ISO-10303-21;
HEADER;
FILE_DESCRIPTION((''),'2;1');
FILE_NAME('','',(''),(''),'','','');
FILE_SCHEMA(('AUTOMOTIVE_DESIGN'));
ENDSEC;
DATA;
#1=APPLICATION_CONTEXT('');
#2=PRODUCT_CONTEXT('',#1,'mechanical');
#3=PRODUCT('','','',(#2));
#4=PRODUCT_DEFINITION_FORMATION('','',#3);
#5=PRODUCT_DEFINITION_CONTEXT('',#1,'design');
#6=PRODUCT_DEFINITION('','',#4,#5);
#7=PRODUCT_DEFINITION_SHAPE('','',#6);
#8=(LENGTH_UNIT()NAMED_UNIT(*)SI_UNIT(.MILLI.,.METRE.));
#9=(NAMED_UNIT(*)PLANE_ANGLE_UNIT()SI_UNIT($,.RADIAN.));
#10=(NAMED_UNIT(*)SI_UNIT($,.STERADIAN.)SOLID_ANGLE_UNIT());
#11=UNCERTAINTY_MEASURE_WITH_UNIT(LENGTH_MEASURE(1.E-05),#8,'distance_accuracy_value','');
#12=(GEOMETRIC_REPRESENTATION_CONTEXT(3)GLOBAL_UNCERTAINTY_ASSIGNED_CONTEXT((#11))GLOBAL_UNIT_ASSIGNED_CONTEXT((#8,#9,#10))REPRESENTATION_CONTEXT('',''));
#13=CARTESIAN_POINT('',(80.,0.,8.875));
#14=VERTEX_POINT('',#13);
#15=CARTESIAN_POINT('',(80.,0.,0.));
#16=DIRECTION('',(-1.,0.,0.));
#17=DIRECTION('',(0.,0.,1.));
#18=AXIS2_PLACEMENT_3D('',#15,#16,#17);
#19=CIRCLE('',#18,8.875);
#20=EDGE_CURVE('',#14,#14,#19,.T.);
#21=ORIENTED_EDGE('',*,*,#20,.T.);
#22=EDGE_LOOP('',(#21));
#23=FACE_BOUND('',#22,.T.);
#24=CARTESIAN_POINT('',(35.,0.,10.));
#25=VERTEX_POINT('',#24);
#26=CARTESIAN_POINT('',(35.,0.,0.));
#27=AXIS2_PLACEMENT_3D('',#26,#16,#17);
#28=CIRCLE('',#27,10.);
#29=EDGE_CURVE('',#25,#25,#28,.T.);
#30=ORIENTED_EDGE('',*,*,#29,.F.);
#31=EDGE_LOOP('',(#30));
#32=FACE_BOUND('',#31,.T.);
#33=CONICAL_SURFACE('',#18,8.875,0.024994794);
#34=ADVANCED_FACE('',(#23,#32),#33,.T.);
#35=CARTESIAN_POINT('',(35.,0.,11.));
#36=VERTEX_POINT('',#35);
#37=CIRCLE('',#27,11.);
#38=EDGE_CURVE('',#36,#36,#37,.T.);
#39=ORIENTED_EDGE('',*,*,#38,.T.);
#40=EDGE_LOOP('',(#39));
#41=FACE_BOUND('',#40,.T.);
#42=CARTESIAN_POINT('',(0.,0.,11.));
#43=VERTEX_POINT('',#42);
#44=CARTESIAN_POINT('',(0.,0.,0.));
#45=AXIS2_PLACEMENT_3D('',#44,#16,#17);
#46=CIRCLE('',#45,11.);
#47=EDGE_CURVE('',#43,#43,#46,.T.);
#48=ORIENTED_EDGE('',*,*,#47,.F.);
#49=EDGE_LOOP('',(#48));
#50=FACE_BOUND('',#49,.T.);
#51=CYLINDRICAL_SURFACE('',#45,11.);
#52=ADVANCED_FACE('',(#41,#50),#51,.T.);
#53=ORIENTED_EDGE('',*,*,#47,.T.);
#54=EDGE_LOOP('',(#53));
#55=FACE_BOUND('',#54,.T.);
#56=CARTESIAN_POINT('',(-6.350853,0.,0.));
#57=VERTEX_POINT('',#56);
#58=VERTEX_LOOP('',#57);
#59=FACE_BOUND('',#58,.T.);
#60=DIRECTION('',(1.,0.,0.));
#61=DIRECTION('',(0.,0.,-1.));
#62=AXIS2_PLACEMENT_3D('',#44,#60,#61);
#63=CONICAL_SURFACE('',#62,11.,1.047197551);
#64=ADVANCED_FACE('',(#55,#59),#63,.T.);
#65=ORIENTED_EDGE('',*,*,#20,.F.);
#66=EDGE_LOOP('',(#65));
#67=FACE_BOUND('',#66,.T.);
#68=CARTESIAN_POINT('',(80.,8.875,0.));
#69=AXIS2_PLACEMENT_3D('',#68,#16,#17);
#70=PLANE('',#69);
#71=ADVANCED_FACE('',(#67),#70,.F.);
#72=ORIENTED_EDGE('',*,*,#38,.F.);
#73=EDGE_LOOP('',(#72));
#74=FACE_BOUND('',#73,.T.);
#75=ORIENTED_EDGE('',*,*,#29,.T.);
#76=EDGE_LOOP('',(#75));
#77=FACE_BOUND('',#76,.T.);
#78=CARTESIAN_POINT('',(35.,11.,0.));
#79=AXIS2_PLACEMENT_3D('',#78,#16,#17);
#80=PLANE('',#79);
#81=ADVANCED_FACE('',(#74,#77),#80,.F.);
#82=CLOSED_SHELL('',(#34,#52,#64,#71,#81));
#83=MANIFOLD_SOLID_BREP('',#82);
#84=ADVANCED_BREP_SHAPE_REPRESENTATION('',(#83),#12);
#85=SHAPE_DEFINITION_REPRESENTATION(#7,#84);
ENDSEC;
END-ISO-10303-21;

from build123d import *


with BuildPart() as part:
    # Sketch1 → Revolve1 (revolve)
    with BuildSketch(Plane.XY, mode=Mode.PRIVATE) as revolve1_sk:
        Polygon((0, 11), (35, 11), (35, 10), (80, 8.875), (80, 0), (0, 0), (-6.350852961, 0), align=None)
    revolve(revolve1_sk.sketch.rotate(Axis((0, 0, 0), (1, 0, 0)), 90), axis=Axis((0, 0, 0), (1, 0, 0)))


solid = part.part
